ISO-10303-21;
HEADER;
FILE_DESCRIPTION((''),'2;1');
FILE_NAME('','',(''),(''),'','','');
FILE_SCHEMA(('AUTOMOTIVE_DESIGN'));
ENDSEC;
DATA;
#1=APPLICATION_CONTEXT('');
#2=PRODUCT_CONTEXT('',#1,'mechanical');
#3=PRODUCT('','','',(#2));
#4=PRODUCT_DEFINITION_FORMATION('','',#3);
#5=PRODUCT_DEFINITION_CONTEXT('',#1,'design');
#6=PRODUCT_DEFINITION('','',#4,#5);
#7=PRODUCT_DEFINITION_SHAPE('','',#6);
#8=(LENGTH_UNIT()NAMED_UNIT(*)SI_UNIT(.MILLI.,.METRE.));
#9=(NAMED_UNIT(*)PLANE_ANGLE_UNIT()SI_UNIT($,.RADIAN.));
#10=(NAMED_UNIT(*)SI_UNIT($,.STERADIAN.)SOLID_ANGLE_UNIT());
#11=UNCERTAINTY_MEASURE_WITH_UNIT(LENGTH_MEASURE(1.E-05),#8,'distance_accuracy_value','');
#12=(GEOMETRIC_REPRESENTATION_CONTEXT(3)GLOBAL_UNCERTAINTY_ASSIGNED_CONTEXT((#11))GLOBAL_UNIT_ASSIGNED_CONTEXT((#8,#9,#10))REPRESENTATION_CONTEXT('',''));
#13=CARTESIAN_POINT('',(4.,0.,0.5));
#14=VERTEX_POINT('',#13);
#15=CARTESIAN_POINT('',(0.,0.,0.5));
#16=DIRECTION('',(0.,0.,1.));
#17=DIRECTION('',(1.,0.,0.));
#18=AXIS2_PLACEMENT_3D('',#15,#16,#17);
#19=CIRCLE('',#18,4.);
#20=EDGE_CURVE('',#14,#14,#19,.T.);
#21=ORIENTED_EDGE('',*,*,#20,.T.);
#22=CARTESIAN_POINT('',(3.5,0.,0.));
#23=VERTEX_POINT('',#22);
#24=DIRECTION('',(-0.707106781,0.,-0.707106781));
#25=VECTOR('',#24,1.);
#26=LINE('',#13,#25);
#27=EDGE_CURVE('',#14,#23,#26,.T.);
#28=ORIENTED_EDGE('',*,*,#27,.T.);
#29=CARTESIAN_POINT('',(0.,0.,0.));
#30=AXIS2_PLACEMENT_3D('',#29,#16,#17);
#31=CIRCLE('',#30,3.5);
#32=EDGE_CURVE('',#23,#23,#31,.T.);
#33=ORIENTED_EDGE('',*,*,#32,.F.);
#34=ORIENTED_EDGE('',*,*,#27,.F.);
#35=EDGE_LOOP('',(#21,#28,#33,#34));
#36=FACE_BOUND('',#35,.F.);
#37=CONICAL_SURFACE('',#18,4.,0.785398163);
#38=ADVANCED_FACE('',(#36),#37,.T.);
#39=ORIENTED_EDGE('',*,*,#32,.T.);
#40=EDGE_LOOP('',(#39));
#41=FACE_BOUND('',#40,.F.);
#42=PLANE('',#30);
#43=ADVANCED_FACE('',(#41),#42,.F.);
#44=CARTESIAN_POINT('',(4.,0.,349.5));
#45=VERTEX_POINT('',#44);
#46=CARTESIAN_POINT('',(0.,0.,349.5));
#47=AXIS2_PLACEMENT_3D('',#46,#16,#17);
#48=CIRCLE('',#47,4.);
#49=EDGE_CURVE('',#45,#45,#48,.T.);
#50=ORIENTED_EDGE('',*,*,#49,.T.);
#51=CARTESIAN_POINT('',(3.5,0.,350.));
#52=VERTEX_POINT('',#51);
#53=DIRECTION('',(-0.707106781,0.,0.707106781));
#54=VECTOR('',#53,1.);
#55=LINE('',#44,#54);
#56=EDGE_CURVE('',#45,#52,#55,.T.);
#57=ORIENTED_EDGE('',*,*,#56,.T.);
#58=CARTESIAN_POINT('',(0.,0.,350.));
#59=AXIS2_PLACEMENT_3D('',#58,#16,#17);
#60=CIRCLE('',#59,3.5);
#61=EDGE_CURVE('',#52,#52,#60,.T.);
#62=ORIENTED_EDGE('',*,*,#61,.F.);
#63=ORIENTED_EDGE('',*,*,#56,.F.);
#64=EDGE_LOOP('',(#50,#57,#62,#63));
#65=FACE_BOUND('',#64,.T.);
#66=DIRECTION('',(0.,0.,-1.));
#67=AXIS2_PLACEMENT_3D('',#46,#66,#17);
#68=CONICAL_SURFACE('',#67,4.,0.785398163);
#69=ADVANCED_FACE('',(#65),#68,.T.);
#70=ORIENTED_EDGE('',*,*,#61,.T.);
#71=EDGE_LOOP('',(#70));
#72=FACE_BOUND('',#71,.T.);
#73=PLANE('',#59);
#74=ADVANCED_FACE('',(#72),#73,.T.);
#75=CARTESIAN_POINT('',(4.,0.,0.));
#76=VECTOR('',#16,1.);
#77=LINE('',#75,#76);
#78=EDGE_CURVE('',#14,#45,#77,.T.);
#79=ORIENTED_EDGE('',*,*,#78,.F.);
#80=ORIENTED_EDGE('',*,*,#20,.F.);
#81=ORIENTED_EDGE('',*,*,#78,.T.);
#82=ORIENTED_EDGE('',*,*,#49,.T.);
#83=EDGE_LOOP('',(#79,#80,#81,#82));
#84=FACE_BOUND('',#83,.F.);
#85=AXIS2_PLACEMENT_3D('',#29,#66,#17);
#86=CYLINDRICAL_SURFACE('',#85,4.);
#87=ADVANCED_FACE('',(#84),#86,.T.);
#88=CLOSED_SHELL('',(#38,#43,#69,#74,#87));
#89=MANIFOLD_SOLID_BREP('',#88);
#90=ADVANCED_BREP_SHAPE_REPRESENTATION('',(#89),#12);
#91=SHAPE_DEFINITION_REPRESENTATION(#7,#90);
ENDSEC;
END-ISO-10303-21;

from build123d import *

# Parameters (mm, degrees)
SKETCH_R     = 4
PAD_DEPTH    = 350
CHAMFER_SIZE = 0.5


with BuildPart() as part:
    # Sketch → Pad (new body)
    with BuildSketch(Plane.XY):
        Circle(SKETCH_R)
    extrude(amount=PAD_DEPTH)

    # Chamfer
    chamfer_edges = [part.edges().sort_by_distance(p)[0] for p in [
        (-4, 0, 0),
        (-4, 0, 350),
    ]]
    chamfer(chamfer_edges, length=CHAMFER_SIZE)


solid = part.part
